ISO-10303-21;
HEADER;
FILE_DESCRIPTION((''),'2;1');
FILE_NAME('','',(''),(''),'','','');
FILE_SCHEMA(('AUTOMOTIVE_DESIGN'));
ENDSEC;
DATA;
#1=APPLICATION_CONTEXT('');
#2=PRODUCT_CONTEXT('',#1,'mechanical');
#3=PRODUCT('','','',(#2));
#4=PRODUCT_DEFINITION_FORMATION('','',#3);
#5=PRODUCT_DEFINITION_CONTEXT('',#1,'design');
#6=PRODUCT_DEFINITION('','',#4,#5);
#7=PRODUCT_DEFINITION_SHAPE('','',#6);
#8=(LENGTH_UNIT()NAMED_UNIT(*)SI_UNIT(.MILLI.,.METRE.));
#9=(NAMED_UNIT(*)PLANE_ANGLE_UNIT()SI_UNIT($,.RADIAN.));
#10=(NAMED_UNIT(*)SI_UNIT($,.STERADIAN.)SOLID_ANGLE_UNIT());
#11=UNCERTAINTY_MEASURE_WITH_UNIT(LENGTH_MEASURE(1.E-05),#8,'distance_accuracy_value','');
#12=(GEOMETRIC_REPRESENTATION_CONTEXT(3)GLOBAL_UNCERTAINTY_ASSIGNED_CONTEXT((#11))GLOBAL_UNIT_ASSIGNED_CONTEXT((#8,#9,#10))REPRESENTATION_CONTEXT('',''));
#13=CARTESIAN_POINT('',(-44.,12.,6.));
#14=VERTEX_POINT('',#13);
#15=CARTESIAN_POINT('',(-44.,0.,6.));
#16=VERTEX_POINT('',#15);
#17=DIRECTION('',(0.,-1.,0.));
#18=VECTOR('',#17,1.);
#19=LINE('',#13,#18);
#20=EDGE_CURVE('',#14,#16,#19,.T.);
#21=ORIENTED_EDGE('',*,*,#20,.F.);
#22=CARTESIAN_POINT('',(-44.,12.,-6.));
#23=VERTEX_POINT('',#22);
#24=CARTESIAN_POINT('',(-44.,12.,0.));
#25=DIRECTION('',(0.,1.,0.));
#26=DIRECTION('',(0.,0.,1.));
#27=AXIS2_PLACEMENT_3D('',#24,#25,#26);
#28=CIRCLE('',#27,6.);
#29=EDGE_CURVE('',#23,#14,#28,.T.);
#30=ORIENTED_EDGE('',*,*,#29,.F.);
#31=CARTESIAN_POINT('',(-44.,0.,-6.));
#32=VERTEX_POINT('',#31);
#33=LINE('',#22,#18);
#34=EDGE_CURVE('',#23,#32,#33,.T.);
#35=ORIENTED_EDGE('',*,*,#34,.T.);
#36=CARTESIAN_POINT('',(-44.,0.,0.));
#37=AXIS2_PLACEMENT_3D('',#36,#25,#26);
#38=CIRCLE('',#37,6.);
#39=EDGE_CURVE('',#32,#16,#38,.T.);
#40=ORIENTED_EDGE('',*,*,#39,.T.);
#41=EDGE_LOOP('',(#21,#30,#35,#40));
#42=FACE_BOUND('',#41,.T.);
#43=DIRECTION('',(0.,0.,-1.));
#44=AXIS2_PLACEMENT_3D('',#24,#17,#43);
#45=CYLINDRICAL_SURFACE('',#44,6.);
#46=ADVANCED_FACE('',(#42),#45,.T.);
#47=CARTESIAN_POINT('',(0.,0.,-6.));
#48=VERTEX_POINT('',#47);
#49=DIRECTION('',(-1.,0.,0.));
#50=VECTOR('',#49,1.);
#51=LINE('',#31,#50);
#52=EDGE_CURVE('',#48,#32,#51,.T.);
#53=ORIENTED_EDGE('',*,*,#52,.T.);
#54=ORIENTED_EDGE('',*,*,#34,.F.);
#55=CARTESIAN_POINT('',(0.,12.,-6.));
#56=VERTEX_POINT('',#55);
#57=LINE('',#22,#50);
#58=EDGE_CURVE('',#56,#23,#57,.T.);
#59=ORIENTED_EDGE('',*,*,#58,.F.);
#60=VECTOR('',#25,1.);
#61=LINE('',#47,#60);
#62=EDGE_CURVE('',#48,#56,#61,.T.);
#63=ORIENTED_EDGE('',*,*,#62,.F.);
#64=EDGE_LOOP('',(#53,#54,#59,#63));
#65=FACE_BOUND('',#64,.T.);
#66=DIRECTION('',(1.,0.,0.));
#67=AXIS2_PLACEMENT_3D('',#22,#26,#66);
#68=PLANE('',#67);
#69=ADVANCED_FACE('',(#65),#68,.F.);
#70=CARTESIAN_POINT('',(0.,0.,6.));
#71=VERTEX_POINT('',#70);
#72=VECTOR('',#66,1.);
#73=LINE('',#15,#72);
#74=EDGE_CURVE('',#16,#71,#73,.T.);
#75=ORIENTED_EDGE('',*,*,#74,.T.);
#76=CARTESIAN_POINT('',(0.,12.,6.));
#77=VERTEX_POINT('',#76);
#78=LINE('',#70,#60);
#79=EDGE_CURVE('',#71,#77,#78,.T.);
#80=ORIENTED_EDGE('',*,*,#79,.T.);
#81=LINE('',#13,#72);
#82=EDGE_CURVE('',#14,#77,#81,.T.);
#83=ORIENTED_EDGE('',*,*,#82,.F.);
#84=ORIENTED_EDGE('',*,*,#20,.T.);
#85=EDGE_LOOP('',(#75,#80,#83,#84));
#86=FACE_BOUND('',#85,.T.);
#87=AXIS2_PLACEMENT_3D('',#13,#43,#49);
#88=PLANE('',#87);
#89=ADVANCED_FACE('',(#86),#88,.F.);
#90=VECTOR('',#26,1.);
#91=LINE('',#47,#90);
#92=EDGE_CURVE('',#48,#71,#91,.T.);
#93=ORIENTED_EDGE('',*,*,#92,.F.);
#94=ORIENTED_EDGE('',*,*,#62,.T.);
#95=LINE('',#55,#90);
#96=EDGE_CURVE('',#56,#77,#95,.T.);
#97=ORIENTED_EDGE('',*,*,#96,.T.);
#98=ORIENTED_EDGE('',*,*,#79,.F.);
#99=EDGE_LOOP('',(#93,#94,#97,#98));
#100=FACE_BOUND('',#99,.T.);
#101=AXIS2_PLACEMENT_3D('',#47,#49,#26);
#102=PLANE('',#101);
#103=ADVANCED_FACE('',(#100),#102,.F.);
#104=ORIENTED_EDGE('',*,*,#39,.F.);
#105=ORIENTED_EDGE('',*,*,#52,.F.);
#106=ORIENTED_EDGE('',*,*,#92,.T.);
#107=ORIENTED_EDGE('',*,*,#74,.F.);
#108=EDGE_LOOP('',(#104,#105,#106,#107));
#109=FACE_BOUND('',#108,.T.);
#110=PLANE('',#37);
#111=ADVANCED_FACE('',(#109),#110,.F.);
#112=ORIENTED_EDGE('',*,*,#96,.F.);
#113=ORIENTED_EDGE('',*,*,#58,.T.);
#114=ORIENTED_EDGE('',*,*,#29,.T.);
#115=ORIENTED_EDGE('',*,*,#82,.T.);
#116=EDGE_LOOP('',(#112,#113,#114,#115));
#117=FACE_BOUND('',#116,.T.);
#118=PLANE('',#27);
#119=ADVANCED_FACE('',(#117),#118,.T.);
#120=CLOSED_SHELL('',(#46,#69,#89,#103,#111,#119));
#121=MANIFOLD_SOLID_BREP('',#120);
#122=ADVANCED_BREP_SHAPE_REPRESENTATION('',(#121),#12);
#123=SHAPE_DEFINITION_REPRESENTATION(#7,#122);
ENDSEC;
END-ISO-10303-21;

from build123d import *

# Parameters (mm, degrees)
BOSS_EXTRUDE1_DEPTH = 12
SKETCH2_W           = 50
SKETCH2_H           = 12
CUT_EXTRUDE1_DEPTH  = 13


with BuildPart() as part:
    # Sketch1 → Boss-Extrude1 (new body)
    with BuildSketch(Plane(origin=(0, 0, 0), x_dir=(1, 0, 0), z_dir=(0, 1, 0))):
        with BuildLine():
            Line((-44, 6), (44, 6))
            ThreePointArc((44, 6), (50, 0), (44, -6))
            Line((44, -6), (-44, -6))
            ThreePointArc((-44, -6), (-50, 0), (-44, 6))
        make_face()
    extrude(amount=BOSS_EXTRUDE1_DEPTH)

    # Sketch2 → Cut-Extrude1 (cut, through all)
    with BuildSketch(Plane(origin=(0, 12, 0), x_dir=(1, 0, 0), z_dir=(0, 1, 0))):
        with Locations((25, 0)):
            Rectangle(SKETCH2_W, SKETCH2_H)
    extrude(amount=-CUT_EXTRUDE1_DEPTH, mode=Mode.SUBTRACT)


solid = part.part
